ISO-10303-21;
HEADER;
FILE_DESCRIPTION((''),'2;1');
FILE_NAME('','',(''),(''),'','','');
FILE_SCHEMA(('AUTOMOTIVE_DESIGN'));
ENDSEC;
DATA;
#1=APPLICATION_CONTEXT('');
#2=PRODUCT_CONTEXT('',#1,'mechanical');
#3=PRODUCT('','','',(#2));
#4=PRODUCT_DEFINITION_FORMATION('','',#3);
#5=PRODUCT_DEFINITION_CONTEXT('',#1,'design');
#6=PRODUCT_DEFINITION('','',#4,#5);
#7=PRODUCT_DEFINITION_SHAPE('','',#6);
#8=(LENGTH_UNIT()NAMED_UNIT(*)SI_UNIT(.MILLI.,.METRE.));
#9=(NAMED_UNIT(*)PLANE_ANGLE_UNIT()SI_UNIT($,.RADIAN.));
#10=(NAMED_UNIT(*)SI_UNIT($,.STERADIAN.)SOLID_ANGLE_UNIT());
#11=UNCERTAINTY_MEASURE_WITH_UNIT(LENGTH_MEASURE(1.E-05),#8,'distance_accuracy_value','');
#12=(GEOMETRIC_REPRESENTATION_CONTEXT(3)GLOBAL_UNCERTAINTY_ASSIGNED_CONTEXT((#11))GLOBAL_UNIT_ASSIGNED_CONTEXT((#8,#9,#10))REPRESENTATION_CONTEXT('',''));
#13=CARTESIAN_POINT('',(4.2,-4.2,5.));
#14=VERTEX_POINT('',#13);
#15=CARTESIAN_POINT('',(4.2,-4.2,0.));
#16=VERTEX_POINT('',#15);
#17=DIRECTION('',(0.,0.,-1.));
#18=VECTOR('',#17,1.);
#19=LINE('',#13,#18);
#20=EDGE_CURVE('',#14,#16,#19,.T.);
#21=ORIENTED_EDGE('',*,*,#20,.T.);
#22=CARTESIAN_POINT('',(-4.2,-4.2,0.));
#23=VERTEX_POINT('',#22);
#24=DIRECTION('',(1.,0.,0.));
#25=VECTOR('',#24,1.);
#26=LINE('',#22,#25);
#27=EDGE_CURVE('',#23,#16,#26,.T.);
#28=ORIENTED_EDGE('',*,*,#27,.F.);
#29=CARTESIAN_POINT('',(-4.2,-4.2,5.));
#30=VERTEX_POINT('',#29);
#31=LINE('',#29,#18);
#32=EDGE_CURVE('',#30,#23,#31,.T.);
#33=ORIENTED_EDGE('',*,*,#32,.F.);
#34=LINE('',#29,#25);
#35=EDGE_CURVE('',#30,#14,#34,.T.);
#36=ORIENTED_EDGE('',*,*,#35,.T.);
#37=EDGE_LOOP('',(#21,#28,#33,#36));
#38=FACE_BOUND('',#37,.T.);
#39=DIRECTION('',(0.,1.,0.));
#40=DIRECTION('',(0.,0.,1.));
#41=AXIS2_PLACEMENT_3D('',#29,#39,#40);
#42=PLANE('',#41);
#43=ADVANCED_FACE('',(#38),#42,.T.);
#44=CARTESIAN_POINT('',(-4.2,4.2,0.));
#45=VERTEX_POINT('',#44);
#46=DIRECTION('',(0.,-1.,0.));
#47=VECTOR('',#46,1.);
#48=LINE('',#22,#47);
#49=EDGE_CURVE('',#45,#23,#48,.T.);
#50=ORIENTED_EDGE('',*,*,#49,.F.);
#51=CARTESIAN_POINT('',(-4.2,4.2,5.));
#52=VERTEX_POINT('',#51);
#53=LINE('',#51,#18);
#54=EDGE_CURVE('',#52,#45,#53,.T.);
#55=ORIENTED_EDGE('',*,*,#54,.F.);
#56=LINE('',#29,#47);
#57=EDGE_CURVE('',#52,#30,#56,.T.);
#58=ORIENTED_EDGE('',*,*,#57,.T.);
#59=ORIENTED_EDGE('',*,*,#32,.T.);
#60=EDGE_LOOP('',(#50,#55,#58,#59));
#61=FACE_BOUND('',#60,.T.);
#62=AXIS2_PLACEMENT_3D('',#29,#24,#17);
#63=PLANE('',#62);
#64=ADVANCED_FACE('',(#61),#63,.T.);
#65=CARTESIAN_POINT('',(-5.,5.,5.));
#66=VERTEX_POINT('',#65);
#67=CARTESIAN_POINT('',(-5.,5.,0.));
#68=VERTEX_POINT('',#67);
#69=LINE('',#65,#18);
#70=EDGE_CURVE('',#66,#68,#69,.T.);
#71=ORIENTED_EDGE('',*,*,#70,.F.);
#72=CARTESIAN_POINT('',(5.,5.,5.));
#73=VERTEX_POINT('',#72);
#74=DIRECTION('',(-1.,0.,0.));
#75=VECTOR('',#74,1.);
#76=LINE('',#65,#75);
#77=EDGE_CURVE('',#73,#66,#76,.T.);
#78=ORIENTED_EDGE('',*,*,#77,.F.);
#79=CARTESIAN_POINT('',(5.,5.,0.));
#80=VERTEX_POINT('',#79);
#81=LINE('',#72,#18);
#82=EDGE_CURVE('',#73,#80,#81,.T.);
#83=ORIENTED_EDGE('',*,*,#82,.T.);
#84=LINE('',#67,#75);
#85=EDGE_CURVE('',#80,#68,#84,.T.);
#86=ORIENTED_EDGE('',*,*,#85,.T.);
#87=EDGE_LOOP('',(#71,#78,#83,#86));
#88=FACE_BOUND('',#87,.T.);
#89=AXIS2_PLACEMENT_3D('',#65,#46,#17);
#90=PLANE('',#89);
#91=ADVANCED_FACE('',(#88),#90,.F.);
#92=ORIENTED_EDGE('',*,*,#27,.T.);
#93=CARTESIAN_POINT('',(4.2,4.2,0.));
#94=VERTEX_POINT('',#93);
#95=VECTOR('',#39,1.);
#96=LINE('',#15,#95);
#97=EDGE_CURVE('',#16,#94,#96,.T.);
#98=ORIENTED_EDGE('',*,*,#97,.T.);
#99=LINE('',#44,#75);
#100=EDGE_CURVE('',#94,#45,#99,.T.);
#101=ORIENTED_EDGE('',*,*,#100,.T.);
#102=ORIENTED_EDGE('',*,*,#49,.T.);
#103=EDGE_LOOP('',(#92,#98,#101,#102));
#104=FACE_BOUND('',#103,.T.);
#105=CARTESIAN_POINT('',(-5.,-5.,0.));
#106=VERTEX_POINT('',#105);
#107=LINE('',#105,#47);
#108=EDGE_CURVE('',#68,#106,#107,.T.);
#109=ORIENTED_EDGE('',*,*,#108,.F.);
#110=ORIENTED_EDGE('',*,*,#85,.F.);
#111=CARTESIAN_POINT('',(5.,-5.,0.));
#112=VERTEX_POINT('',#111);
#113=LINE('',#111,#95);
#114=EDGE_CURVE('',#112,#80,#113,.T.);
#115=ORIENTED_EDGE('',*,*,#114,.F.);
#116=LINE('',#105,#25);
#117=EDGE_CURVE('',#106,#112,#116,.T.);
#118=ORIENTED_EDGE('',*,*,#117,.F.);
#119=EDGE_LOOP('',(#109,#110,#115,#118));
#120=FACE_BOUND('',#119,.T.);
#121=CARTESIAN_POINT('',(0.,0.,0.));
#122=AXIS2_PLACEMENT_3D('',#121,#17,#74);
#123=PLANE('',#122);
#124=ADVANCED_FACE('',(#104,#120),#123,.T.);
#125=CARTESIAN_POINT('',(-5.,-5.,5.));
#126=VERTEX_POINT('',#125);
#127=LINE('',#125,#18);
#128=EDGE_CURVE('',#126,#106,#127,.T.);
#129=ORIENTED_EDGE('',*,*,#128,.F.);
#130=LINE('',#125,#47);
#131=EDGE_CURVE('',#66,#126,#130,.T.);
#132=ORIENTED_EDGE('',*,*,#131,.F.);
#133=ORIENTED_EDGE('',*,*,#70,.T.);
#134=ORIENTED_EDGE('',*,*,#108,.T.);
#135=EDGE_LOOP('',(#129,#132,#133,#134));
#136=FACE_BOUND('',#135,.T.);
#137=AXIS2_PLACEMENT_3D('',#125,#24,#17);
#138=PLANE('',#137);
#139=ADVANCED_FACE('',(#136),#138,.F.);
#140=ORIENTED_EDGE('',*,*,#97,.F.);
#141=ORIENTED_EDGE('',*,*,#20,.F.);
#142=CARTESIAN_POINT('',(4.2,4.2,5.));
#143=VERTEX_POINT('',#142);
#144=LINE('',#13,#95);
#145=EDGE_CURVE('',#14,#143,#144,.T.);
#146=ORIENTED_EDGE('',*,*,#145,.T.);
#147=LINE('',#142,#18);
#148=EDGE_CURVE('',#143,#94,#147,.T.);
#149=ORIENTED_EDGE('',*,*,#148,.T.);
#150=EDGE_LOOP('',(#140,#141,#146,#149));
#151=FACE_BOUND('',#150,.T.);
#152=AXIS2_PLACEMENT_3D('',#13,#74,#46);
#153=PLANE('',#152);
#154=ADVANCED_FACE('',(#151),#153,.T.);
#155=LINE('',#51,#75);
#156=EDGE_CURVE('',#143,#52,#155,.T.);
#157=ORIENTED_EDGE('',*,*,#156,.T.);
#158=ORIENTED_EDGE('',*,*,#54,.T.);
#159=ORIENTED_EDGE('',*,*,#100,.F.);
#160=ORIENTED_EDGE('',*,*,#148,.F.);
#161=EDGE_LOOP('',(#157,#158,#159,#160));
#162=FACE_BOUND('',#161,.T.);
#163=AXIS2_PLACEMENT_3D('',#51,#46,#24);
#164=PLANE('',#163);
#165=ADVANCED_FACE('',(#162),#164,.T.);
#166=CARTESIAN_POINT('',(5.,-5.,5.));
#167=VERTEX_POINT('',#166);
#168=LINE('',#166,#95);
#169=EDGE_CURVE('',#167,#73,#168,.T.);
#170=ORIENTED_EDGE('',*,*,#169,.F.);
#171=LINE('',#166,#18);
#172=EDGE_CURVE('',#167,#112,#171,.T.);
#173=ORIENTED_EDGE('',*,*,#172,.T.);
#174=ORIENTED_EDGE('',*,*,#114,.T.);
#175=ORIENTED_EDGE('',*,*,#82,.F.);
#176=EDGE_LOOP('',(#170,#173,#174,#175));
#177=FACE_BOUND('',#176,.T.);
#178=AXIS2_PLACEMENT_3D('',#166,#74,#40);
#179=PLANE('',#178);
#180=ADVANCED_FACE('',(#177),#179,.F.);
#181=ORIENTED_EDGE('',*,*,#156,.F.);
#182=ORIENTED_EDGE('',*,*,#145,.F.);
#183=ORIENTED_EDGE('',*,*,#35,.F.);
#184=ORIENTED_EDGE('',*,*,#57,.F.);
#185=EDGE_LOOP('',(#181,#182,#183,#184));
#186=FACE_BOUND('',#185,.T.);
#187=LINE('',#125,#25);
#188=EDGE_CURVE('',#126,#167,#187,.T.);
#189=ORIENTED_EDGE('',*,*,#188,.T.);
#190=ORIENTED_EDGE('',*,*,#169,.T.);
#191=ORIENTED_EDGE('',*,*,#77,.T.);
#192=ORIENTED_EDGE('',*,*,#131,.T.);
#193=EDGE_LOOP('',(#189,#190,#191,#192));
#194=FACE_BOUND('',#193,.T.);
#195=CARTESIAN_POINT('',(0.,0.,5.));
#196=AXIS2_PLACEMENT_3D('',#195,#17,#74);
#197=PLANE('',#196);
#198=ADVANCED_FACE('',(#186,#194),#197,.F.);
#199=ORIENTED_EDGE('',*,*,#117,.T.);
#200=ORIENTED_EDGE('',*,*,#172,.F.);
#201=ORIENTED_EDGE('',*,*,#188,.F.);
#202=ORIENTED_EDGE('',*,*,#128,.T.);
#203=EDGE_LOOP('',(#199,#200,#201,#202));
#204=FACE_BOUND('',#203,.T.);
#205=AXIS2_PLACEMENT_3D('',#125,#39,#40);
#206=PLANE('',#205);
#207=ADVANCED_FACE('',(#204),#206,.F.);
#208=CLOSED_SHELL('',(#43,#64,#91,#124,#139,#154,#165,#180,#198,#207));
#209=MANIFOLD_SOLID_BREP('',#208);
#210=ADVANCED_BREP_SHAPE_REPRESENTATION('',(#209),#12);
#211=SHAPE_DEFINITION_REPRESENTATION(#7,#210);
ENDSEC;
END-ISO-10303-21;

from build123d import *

# Parameters (mm, degrees)
ESQUISSE1_W        = 10
ESQUISSE1_H        = 10
ESQUISSE1_W_2      = 8.4
ESQUISSE1_H_2      = 8.4
BOSS_EXTRU_1_DEPTH = 5


with BuildPart() as part:
    # Esquisse1 → Boss.-Extru.1 (new body)
    with BuildSketch(Plane.XY):
        Rectangle(ESQUISSE1_W, ESQUISSE1_H)
        Rectangle(ESQUISSE1_W_2, ESQUISSE1_H_2, mode=Mode.SUBTRACT)
    extrude(amount=BOSS_EXTRU_1_DEPTH)


solid = part.part
